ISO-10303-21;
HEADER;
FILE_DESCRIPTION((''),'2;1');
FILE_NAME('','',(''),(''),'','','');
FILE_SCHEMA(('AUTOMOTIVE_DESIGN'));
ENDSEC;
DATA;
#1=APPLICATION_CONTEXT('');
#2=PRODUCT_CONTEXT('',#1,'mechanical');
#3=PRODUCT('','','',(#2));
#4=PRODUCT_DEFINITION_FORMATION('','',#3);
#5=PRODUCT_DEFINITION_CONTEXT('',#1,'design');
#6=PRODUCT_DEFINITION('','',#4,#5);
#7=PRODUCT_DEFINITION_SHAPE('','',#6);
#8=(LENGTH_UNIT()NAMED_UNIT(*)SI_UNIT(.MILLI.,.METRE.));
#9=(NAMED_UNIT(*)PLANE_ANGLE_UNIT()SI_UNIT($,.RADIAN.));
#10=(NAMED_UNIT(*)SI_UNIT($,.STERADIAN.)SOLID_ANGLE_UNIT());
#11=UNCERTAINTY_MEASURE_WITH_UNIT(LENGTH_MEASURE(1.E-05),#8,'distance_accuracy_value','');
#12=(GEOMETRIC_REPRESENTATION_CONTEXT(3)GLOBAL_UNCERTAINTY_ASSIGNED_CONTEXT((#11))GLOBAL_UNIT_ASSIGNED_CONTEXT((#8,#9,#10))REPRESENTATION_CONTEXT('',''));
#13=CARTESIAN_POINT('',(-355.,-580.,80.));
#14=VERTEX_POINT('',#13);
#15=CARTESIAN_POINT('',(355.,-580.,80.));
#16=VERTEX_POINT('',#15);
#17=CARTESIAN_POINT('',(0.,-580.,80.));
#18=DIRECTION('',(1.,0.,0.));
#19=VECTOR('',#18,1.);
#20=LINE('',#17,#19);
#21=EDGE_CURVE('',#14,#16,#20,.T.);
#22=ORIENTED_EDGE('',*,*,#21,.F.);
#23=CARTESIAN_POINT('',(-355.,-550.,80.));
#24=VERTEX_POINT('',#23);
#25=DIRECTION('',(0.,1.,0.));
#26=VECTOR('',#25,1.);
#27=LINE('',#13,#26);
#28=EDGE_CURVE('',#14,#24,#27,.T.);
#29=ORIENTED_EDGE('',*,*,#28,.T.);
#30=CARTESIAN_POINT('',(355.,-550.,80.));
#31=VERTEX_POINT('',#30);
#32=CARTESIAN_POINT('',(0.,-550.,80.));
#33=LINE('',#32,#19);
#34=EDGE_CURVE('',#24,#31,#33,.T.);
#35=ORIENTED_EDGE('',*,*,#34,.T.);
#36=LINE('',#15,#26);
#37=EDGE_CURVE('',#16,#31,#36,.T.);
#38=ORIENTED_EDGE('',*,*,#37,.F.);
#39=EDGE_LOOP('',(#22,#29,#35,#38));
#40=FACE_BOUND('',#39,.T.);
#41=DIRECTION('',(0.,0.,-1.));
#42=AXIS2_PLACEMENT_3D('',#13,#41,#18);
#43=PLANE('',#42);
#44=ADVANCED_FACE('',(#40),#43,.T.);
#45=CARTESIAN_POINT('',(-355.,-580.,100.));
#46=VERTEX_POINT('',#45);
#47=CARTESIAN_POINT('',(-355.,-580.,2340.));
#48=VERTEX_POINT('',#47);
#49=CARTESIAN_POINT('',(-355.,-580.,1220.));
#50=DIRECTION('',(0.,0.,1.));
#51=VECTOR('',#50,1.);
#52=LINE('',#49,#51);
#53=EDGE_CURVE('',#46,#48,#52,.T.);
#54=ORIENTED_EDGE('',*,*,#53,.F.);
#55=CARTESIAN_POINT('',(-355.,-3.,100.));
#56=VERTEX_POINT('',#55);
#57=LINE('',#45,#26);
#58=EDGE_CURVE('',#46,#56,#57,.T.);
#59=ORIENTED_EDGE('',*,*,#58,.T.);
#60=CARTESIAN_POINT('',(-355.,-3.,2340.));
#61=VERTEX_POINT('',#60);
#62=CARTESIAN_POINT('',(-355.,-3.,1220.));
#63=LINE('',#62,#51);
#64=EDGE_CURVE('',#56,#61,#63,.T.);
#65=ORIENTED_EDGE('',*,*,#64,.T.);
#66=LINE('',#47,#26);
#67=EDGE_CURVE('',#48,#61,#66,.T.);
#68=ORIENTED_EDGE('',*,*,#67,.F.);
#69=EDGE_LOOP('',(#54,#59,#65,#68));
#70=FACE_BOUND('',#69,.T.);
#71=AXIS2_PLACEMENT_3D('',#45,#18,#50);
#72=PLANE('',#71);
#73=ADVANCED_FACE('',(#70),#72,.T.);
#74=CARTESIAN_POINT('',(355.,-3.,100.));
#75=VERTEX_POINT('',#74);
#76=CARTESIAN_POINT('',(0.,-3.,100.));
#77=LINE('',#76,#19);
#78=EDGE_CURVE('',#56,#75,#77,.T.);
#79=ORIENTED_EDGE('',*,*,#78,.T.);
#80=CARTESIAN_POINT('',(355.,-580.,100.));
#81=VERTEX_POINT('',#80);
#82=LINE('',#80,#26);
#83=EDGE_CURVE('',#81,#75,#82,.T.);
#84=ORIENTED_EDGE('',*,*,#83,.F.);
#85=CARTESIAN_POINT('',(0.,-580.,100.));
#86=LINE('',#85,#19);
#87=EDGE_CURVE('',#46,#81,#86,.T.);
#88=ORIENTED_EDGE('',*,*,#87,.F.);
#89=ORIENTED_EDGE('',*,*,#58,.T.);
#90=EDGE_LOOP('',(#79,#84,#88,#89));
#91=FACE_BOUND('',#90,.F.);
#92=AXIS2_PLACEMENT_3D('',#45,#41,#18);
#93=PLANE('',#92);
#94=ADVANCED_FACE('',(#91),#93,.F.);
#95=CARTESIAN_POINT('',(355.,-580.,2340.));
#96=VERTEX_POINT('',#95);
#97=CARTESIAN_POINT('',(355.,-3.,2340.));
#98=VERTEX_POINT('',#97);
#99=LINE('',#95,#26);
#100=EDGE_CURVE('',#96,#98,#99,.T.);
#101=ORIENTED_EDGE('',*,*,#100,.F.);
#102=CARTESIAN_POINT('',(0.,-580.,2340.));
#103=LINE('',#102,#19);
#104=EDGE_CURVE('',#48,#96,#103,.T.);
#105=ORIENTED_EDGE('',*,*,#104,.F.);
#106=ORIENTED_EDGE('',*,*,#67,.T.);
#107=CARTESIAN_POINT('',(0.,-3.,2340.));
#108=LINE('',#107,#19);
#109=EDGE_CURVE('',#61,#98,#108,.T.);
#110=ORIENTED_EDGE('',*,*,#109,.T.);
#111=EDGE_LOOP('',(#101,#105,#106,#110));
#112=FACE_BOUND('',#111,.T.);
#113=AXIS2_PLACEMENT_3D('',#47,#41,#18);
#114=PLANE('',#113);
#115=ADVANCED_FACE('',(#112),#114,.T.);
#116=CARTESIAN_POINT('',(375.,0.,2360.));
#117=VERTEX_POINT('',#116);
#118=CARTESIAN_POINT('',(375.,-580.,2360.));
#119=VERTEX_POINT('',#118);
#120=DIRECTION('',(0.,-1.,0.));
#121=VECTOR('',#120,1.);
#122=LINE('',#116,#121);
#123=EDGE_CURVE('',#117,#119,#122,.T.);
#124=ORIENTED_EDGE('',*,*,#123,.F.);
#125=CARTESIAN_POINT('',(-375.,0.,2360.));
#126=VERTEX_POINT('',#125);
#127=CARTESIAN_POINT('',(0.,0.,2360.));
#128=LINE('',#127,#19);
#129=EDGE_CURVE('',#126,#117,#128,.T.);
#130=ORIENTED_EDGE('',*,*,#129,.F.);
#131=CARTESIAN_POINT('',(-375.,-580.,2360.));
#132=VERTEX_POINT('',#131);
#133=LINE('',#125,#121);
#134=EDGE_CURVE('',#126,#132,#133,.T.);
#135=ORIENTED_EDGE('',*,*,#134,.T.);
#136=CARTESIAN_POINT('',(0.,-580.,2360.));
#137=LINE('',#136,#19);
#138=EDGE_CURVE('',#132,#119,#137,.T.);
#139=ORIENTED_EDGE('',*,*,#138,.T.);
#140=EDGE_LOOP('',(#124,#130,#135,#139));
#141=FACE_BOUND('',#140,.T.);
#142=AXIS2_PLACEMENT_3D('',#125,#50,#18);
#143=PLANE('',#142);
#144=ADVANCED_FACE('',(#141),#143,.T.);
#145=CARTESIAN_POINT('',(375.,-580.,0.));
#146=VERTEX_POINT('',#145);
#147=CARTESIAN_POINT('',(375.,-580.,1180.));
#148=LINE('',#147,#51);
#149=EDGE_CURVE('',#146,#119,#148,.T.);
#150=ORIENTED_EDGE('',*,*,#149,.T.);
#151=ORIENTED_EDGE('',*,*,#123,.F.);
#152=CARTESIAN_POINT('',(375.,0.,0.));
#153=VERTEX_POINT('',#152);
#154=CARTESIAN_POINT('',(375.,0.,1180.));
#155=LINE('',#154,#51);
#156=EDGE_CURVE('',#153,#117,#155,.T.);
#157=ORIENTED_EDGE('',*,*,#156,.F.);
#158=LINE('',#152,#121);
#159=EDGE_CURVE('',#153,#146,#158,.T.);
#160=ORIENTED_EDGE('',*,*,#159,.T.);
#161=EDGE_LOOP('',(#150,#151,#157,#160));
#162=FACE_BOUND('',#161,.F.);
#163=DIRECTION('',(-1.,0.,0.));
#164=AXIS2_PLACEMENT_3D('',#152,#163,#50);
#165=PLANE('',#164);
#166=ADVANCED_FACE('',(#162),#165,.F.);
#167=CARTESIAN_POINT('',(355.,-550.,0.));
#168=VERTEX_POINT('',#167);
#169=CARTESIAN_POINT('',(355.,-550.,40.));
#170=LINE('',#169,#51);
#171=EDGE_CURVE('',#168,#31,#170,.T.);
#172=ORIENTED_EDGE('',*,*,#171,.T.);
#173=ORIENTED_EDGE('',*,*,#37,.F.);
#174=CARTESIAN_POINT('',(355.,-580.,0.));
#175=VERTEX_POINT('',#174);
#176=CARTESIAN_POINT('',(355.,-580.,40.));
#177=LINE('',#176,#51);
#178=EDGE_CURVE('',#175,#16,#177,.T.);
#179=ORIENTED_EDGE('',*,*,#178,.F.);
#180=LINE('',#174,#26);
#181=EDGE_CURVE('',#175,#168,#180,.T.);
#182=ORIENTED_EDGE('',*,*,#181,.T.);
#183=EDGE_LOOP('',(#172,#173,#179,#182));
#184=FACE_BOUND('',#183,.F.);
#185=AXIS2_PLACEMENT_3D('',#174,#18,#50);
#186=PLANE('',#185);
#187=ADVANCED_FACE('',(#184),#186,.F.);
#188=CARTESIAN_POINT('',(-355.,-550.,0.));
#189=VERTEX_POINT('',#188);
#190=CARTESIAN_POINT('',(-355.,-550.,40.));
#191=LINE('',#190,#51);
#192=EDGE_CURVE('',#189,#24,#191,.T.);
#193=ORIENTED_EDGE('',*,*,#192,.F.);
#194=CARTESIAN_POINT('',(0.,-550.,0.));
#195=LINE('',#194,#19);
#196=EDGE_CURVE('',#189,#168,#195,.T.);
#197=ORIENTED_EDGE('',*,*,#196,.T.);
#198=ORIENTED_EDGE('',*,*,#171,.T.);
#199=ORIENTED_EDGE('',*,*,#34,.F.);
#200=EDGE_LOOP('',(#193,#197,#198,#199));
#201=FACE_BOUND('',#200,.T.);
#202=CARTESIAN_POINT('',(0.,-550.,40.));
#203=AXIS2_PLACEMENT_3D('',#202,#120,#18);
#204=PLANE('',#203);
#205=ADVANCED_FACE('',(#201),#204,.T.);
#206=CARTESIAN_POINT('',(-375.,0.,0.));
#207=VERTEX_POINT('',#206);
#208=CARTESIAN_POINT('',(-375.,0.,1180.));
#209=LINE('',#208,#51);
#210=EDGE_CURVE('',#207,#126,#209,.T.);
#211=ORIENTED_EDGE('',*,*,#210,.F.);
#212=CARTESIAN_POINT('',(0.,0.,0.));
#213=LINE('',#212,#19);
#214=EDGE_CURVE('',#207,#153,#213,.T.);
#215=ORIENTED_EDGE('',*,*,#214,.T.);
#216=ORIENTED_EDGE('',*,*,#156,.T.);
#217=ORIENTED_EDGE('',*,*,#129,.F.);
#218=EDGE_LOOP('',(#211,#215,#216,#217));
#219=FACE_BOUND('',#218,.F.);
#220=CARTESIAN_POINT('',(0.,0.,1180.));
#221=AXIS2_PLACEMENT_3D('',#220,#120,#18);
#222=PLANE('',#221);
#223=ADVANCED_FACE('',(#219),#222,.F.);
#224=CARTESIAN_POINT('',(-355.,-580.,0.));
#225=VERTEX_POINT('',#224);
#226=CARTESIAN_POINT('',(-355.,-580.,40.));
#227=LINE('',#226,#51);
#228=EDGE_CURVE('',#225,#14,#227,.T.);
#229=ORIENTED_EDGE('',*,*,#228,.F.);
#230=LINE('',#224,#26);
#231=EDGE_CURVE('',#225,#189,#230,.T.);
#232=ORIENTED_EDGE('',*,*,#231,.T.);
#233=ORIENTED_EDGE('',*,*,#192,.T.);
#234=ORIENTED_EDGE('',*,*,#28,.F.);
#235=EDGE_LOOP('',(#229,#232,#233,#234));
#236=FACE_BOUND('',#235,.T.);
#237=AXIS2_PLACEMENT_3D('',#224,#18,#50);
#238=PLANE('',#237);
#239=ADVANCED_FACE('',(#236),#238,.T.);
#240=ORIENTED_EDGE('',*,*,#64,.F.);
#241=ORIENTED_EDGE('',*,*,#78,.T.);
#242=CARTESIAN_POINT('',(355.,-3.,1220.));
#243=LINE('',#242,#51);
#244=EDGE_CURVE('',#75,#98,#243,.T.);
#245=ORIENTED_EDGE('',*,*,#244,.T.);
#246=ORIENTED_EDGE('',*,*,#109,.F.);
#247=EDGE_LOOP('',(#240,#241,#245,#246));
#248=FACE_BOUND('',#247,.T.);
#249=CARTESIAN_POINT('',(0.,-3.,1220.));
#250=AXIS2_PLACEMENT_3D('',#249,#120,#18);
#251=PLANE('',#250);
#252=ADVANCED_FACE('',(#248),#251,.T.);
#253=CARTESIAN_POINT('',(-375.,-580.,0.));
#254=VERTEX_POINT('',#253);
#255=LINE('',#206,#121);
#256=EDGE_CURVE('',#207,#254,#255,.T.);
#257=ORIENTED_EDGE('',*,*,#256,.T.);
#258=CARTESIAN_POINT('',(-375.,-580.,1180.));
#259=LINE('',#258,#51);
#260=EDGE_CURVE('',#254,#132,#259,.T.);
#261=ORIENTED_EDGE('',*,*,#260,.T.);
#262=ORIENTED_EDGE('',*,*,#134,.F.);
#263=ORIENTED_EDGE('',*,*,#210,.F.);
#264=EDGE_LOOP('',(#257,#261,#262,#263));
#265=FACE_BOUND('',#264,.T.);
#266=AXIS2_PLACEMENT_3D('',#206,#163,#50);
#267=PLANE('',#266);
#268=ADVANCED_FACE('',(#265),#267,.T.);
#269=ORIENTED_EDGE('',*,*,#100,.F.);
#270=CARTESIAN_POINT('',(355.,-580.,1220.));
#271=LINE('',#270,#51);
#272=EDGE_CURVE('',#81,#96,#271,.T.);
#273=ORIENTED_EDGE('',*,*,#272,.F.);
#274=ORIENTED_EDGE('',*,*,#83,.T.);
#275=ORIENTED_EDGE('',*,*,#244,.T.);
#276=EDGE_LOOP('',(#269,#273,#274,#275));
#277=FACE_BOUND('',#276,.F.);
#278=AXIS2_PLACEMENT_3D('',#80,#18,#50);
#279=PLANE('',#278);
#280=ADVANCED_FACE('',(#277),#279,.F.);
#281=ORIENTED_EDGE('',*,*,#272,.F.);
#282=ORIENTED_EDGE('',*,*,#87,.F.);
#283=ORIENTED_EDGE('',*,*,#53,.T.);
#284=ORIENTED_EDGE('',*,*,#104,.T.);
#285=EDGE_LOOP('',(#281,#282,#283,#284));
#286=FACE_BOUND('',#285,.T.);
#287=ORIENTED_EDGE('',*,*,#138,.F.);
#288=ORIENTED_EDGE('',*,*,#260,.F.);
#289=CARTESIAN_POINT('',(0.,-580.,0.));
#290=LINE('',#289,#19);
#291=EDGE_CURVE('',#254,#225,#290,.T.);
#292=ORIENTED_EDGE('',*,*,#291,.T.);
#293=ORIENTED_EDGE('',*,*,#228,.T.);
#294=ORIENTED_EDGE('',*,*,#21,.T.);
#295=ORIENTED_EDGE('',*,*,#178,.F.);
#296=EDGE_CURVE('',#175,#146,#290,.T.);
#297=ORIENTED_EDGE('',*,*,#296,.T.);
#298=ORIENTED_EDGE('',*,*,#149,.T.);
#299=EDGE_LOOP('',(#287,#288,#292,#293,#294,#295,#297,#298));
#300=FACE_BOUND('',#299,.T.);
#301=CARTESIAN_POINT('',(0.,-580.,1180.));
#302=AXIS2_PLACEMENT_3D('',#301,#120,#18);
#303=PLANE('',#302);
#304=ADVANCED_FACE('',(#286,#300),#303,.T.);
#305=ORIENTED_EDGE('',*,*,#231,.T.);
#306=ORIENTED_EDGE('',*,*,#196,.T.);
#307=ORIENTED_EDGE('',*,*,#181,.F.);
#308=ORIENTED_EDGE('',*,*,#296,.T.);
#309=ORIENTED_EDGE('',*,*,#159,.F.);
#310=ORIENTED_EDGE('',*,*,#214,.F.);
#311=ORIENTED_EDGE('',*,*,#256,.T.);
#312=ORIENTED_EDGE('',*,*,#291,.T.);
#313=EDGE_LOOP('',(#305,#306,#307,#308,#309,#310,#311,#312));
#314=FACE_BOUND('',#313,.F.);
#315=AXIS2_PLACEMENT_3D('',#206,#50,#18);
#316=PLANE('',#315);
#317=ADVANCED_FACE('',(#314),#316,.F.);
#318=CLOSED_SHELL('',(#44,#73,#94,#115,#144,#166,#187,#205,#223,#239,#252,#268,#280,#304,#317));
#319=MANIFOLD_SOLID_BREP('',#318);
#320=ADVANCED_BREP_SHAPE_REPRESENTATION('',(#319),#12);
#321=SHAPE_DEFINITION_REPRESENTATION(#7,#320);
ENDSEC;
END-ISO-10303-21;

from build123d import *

# Parameters (mm, degrees)
F0_W     = 750
F0_H     = 2360
F1_DEPTH = 580
F2_W     = 710
F2_H     = 2240
F4_DEPTH = 577
F5_W     = 710
F5_H     = 80
F6_DEPTH = 30


with BuildPart() as f1:
    # F0 (on Front) → F1 (new body)
    with BuildSketch(Plane.XZ):
        with Locations((0, 1180)):
            Rectangle(F0_W, F0_H)
    extrude(amount=F1_DEPTH)

    # F2 (on face) → F4 (cut, through all)
    with BuildSketch(Plane.XZ.offset(580)):
        with Locations((0, 1220)):
            Rectangle(F2_W, F2_H)
    extrude(amount=-F4_DEPTH, mode=Mode.SUBTRACT)

    # F5 (on face) → F6 (cut)
    with BuildSketch(Plane.XZ.offset(580)):
        with Locations((0, 40)):
            Rectangle(F5_W, F5_H)
    extrude(amount=-F6_DEPTH, mode=Mode.SUBTRACT)


solid = f1.part
